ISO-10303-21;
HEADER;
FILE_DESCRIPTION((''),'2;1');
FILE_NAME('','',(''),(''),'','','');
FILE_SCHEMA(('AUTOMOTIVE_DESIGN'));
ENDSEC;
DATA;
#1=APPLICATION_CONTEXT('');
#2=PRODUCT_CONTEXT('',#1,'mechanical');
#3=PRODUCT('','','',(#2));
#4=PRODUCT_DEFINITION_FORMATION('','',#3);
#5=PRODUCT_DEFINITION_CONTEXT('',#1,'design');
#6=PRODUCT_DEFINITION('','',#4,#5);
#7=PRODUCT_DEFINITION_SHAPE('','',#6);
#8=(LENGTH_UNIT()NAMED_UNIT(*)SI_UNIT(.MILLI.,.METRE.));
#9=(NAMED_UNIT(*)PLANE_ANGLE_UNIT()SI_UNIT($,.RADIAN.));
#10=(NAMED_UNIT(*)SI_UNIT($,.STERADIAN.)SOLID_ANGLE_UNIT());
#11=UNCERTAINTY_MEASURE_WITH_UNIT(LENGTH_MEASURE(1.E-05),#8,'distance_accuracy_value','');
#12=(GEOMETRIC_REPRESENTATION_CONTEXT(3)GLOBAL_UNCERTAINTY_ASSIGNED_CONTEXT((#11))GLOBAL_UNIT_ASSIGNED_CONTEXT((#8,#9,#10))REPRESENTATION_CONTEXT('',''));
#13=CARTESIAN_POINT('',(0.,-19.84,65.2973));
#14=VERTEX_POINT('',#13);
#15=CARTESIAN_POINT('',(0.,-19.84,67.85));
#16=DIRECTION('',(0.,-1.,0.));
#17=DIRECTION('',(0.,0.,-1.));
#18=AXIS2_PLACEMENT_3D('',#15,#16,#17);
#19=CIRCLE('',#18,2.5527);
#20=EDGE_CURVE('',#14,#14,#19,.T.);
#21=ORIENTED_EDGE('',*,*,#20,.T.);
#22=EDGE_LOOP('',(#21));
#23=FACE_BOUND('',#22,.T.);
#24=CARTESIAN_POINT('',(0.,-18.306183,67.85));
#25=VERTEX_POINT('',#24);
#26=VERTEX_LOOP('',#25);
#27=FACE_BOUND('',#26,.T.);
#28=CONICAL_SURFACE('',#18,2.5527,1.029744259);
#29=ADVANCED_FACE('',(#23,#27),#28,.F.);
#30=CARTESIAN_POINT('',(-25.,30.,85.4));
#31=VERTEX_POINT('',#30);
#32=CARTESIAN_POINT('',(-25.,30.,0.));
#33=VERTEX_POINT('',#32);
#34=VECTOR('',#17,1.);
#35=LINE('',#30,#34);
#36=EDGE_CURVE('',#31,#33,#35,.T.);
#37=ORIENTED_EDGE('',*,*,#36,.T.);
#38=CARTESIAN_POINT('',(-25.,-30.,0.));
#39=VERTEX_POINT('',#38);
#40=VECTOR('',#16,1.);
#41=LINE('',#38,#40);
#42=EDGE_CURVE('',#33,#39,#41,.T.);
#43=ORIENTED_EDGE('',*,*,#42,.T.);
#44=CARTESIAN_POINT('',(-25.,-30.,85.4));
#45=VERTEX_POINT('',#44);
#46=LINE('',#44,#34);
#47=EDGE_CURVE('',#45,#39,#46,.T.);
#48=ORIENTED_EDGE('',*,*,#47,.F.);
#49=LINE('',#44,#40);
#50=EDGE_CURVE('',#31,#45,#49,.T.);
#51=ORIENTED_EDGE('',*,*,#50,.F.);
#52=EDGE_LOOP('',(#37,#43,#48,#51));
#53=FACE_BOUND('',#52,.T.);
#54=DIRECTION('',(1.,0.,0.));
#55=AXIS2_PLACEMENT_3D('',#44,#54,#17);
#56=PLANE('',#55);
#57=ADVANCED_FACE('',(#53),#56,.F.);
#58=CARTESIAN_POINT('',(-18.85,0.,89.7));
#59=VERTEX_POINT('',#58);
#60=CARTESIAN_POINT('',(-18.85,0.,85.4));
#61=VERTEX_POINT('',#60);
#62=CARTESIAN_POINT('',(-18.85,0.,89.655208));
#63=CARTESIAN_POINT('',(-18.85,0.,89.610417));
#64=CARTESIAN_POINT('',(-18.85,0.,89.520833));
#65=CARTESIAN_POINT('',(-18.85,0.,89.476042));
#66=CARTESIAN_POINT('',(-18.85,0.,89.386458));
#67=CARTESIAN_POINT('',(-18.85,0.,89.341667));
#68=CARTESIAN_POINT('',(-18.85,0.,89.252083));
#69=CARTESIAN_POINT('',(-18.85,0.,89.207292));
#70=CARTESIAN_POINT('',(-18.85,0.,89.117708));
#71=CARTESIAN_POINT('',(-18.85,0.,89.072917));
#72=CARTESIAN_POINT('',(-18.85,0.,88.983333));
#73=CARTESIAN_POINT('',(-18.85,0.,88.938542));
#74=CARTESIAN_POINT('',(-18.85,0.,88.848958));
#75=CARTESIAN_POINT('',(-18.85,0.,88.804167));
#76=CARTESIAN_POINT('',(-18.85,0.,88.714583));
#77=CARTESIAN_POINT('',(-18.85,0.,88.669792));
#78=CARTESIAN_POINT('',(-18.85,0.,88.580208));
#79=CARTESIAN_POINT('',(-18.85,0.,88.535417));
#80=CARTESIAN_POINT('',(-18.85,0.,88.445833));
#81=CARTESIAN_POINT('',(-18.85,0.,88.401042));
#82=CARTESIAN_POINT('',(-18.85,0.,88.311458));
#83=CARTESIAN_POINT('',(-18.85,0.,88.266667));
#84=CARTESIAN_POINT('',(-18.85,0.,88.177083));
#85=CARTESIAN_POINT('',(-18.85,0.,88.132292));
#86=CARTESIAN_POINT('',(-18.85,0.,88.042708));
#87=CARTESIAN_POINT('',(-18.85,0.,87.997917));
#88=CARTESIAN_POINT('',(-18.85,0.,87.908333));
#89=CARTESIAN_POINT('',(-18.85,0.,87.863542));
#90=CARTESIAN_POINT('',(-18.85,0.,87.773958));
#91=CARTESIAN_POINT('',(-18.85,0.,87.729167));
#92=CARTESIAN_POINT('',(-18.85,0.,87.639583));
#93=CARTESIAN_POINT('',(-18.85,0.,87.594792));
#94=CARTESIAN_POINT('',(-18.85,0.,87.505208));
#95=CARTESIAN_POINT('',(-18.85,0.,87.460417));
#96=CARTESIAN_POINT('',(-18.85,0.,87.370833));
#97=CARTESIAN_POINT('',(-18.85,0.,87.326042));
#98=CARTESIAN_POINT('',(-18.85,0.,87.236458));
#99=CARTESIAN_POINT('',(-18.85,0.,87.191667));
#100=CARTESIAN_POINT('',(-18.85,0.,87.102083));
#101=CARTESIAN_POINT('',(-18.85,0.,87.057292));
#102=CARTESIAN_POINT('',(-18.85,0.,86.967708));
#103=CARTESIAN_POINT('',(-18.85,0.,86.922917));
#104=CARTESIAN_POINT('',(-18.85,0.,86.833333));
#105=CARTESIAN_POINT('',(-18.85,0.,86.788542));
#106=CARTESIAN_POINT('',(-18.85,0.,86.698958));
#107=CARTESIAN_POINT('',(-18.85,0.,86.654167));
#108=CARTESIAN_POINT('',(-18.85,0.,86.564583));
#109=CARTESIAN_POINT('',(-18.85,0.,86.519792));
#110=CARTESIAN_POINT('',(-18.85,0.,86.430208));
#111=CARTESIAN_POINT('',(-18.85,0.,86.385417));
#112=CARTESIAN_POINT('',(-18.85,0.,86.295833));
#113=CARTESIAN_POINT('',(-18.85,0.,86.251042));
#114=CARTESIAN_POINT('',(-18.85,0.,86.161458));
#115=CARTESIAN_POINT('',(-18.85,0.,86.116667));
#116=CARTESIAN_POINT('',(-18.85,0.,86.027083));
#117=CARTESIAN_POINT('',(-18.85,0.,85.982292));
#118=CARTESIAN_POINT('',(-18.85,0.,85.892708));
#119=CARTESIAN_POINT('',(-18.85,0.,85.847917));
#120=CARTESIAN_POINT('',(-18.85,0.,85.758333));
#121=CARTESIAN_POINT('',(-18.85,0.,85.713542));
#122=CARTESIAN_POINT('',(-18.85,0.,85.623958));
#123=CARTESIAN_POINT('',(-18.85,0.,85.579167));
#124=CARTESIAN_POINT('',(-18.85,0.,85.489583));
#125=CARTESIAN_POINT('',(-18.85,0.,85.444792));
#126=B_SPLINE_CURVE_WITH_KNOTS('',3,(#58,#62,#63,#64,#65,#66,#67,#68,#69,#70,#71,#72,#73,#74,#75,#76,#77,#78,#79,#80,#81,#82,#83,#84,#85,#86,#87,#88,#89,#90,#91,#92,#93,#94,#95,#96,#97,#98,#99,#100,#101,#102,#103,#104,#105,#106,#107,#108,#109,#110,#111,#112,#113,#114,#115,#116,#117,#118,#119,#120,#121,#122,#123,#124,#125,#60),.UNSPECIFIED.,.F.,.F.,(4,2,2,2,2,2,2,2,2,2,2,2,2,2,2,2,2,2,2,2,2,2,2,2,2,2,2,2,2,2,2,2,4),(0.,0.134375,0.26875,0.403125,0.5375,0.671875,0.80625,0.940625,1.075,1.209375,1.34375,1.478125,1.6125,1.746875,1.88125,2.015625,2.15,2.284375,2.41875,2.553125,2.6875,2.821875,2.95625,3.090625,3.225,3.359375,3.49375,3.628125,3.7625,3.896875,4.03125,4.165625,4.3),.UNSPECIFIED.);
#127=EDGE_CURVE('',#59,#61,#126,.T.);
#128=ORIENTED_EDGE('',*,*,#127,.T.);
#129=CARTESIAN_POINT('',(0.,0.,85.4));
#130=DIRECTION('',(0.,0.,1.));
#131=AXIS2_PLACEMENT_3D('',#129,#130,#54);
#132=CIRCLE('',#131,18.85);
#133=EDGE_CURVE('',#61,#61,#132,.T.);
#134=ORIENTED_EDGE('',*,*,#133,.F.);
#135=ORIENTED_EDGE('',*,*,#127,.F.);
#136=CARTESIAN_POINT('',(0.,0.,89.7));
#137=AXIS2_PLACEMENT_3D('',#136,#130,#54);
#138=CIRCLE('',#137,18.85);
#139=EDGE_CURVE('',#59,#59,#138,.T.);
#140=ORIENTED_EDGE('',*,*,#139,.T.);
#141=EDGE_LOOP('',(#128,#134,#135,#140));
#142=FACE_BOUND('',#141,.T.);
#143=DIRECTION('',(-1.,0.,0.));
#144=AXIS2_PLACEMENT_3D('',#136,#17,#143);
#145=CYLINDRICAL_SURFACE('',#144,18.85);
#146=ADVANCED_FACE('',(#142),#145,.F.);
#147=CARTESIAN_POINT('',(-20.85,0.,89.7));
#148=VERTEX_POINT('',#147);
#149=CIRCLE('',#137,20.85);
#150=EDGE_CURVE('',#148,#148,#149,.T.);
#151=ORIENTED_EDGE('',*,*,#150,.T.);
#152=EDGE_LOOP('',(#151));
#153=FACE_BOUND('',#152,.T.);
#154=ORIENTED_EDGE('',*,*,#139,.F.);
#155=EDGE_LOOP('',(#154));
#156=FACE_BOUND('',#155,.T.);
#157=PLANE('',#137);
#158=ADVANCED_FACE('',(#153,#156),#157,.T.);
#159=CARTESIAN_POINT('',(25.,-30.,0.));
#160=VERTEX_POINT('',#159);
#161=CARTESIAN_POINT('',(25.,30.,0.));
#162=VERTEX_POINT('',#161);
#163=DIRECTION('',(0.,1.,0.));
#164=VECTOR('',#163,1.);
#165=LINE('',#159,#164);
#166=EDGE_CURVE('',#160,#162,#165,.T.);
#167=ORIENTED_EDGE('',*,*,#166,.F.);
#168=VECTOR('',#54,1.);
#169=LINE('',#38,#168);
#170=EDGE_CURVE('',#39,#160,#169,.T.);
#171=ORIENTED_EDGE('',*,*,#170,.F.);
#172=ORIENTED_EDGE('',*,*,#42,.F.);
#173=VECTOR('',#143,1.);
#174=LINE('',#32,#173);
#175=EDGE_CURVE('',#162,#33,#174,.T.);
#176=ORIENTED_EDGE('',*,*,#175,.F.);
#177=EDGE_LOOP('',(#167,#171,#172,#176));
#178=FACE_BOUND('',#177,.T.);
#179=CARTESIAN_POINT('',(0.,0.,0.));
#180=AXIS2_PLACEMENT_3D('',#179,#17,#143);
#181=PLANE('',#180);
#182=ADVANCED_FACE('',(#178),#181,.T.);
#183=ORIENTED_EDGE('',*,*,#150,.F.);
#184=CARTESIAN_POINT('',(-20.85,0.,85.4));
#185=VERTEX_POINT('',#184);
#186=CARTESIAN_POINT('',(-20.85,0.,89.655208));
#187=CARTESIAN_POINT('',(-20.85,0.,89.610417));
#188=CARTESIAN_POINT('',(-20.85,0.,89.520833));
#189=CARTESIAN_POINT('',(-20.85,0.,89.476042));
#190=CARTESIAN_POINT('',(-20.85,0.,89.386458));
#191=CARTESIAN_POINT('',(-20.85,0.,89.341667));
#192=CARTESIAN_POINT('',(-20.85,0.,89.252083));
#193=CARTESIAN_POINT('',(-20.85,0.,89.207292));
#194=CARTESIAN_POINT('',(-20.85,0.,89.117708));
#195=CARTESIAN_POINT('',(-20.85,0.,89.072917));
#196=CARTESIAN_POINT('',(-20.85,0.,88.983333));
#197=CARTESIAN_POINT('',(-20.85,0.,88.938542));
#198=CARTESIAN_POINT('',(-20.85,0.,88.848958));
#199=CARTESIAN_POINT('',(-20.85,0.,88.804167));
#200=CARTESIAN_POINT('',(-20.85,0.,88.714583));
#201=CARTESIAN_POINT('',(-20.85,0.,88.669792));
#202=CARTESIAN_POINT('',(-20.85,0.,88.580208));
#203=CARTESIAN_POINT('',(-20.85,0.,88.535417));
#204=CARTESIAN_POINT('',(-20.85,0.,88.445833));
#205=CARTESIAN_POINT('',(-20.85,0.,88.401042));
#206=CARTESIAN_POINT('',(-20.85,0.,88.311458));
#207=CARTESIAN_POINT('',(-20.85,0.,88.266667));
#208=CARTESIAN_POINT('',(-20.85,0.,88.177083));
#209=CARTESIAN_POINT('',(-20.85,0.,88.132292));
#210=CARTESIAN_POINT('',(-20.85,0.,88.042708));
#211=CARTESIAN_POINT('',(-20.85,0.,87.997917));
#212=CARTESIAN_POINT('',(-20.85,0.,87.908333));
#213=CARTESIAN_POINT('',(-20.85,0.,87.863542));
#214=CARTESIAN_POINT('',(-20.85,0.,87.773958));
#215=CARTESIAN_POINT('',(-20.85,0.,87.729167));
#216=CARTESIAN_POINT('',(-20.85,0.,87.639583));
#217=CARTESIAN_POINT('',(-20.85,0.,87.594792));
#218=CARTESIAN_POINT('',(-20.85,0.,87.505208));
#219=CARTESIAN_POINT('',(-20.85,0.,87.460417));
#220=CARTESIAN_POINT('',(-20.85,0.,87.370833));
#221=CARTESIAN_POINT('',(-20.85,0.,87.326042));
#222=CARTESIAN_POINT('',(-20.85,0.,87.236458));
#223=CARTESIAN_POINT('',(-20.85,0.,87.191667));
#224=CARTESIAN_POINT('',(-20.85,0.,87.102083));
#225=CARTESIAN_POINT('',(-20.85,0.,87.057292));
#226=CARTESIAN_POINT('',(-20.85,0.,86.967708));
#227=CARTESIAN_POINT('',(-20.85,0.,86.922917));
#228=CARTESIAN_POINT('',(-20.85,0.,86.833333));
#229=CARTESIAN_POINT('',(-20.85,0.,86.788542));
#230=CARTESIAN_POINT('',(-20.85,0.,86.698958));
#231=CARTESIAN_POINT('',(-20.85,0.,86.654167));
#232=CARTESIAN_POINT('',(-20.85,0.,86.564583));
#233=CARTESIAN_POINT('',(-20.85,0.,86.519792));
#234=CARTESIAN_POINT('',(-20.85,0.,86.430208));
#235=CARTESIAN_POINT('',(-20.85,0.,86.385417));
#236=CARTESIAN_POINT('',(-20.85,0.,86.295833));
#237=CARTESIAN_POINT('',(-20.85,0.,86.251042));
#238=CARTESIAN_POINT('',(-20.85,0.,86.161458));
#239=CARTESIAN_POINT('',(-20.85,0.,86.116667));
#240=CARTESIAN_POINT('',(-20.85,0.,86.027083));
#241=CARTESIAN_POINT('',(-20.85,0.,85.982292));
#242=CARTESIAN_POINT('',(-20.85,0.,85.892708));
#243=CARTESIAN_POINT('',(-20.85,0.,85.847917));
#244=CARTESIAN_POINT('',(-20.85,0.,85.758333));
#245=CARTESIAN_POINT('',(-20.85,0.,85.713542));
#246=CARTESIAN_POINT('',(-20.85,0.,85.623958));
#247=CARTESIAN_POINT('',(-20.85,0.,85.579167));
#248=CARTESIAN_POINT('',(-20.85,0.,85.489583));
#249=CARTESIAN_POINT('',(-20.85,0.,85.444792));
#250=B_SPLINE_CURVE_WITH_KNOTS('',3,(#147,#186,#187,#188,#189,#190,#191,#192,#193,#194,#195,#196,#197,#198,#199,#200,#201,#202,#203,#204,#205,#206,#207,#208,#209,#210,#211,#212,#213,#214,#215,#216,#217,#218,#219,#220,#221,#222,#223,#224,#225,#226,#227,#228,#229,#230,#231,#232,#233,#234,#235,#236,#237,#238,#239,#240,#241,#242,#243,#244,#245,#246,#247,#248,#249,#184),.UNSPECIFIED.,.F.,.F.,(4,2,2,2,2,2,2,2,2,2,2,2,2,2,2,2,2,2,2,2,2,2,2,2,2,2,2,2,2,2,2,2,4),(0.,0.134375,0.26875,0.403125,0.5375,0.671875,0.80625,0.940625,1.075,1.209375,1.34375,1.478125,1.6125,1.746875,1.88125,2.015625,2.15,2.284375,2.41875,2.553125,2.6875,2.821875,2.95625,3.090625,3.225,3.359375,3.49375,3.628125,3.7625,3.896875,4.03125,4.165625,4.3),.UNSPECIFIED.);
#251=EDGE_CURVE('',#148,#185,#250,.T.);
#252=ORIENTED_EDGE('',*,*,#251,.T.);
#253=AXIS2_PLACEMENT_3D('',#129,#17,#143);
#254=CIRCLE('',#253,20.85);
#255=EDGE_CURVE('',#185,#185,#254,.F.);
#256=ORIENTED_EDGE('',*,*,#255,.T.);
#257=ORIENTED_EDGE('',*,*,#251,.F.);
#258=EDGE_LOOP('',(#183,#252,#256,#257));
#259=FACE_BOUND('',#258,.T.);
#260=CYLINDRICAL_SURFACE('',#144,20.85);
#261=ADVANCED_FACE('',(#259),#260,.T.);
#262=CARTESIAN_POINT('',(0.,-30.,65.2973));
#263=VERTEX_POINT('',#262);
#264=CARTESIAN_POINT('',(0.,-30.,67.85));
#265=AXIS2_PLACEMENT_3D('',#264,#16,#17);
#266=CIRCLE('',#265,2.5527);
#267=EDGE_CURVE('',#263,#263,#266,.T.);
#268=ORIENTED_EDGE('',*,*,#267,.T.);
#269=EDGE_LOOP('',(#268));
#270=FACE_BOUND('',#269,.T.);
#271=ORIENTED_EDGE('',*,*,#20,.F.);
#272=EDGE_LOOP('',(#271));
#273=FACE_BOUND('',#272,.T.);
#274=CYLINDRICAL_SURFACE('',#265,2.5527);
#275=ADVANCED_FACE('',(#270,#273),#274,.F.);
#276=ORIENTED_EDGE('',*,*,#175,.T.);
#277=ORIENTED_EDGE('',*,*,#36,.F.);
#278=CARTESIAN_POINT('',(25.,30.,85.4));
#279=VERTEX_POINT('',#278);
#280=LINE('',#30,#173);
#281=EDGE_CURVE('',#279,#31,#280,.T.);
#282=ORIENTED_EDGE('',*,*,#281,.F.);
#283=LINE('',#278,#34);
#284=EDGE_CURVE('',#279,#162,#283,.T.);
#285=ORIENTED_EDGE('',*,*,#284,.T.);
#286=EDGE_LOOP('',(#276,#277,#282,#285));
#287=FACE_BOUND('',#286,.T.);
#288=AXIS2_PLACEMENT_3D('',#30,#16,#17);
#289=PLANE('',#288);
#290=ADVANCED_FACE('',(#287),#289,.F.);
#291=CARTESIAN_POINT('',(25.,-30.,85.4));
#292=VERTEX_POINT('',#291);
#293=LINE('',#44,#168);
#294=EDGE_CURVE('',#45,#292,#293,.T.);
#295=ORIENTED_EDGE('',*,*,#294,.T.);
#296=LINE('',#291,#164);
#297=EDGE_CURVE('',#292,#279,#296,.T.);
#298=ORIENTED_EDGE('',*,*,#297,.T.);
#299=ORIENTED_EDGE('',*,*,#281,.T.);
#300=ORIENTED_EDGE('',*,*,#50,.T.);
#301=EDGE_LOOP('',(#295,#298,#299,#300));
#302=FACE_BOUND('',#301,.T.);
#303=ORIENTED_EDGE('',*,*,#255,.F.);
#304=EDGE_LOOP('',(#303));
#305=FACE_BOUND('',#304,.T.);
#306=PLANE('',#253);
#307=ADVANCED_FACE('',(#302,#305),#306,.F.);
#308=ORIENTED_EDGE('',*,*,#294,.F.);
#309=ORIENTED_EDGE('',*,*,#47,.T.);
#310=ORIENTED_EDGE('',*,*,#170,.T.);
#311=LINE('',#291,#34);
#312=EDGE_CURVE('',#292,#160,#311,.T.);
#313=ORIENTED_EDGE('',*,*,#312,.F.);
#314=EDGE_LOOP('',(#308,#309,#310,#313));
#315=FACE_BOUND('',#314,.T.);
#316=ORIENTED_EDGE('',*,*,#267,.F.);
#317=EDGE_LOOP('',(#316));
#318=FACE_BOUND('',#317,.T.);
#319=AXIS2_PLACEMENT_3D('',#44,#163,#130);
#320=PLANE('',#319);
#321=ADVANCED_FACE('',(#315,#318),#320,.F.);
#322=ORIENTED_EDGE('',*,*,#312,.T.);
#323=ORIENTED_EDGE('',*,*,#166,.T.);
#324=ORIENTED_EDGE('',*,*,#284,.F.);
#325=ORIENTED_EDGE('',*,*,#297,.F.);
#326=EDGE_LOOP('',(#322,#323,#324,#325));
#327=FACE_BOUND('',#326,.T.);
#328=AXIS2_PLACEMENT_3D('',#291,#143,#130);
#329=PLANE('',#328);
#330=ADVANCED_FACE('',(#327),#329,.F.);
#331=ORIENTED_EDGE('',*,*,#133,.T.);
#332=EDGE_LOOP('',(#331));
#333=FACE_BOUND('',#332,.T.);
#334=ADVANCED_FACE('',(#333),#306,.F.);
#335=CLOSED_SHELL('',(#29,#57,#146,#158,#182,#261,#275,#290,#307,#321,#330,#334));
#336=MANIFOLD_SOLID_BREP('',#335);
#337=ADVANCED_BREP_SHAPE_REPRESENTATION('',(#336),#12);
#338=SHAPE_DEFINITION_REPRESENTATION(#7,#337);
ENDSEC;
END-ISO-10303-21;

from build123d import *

# Parameters (mm, degrees)
SKETCH1_W                   = 50
SKETCH1_H                   = 60
BOSS_EXTRUDE1_DEPTH         = 85.4
SKETCH2_R                   = 20.85
SKETCH2_R_2                 = 18.85
BOSS_EXTRUDE2_DEPTH         = 4.3
F_1_4_20_TAPPED_HOLE1_D     = 5.1054
F_1_4_20_TAPPED_HOLE1_DEPTH = 10.16
F_1_4_20_TAPPED_HOLE1_TIP   = 1.533816902


with BuildPart() as part:
    # Sketch1 → Boss-Extrude1 (new body)
    with BuildSketch(Plane.XY):
        Rectangle(SKETCH1_W, SKETCH1_H)
    extrude(amount=BOSS_EXTRUDE1_DEPTH)

    # Sketch2 → Boss-Extrude2 (add)
    with BuildSketch(Plane.XY.offset(85.4)):
        with Locations(Location((0, 0, 0), (0, 0, 180))):
            Circle(SKETCH2_R)
        with Locations(Location((0, 0, 0), (0, 0, 180))):
            Circle(SKETCH2_R_2, mode=Mode.SUBTRACT)
    extrude(amount=BOSS_EXTRUDE2_DEPTH)

    # 1/4-20 Tapped Hole1
    with Locations(Plane(origin=(0, -30, 0), x_dir=(-1, 0, 0), z_dir=(0, -1, 0))):
        with Locations((0, -67.85)):
            Hole(F_1_4_20_TAPPED_HOLE1_D / 2, depth=F_1_4_20_TAPPED_HOLE1_DEPTH)
            with Locations((0, 0, -(F_1_4_20_TAPPED_HOLE1_DEPTH + F_1_4_20_TAPPED_HOLE1_TIP / 2))):  # 118° drill point
                Cone(0, F_1_4_20_TAPPED_HOLE1_D / 2, F_1_4_20_TAPPED_HOLE1_TIP, mode=Mode.SUBTRACT)


solid = part.part
